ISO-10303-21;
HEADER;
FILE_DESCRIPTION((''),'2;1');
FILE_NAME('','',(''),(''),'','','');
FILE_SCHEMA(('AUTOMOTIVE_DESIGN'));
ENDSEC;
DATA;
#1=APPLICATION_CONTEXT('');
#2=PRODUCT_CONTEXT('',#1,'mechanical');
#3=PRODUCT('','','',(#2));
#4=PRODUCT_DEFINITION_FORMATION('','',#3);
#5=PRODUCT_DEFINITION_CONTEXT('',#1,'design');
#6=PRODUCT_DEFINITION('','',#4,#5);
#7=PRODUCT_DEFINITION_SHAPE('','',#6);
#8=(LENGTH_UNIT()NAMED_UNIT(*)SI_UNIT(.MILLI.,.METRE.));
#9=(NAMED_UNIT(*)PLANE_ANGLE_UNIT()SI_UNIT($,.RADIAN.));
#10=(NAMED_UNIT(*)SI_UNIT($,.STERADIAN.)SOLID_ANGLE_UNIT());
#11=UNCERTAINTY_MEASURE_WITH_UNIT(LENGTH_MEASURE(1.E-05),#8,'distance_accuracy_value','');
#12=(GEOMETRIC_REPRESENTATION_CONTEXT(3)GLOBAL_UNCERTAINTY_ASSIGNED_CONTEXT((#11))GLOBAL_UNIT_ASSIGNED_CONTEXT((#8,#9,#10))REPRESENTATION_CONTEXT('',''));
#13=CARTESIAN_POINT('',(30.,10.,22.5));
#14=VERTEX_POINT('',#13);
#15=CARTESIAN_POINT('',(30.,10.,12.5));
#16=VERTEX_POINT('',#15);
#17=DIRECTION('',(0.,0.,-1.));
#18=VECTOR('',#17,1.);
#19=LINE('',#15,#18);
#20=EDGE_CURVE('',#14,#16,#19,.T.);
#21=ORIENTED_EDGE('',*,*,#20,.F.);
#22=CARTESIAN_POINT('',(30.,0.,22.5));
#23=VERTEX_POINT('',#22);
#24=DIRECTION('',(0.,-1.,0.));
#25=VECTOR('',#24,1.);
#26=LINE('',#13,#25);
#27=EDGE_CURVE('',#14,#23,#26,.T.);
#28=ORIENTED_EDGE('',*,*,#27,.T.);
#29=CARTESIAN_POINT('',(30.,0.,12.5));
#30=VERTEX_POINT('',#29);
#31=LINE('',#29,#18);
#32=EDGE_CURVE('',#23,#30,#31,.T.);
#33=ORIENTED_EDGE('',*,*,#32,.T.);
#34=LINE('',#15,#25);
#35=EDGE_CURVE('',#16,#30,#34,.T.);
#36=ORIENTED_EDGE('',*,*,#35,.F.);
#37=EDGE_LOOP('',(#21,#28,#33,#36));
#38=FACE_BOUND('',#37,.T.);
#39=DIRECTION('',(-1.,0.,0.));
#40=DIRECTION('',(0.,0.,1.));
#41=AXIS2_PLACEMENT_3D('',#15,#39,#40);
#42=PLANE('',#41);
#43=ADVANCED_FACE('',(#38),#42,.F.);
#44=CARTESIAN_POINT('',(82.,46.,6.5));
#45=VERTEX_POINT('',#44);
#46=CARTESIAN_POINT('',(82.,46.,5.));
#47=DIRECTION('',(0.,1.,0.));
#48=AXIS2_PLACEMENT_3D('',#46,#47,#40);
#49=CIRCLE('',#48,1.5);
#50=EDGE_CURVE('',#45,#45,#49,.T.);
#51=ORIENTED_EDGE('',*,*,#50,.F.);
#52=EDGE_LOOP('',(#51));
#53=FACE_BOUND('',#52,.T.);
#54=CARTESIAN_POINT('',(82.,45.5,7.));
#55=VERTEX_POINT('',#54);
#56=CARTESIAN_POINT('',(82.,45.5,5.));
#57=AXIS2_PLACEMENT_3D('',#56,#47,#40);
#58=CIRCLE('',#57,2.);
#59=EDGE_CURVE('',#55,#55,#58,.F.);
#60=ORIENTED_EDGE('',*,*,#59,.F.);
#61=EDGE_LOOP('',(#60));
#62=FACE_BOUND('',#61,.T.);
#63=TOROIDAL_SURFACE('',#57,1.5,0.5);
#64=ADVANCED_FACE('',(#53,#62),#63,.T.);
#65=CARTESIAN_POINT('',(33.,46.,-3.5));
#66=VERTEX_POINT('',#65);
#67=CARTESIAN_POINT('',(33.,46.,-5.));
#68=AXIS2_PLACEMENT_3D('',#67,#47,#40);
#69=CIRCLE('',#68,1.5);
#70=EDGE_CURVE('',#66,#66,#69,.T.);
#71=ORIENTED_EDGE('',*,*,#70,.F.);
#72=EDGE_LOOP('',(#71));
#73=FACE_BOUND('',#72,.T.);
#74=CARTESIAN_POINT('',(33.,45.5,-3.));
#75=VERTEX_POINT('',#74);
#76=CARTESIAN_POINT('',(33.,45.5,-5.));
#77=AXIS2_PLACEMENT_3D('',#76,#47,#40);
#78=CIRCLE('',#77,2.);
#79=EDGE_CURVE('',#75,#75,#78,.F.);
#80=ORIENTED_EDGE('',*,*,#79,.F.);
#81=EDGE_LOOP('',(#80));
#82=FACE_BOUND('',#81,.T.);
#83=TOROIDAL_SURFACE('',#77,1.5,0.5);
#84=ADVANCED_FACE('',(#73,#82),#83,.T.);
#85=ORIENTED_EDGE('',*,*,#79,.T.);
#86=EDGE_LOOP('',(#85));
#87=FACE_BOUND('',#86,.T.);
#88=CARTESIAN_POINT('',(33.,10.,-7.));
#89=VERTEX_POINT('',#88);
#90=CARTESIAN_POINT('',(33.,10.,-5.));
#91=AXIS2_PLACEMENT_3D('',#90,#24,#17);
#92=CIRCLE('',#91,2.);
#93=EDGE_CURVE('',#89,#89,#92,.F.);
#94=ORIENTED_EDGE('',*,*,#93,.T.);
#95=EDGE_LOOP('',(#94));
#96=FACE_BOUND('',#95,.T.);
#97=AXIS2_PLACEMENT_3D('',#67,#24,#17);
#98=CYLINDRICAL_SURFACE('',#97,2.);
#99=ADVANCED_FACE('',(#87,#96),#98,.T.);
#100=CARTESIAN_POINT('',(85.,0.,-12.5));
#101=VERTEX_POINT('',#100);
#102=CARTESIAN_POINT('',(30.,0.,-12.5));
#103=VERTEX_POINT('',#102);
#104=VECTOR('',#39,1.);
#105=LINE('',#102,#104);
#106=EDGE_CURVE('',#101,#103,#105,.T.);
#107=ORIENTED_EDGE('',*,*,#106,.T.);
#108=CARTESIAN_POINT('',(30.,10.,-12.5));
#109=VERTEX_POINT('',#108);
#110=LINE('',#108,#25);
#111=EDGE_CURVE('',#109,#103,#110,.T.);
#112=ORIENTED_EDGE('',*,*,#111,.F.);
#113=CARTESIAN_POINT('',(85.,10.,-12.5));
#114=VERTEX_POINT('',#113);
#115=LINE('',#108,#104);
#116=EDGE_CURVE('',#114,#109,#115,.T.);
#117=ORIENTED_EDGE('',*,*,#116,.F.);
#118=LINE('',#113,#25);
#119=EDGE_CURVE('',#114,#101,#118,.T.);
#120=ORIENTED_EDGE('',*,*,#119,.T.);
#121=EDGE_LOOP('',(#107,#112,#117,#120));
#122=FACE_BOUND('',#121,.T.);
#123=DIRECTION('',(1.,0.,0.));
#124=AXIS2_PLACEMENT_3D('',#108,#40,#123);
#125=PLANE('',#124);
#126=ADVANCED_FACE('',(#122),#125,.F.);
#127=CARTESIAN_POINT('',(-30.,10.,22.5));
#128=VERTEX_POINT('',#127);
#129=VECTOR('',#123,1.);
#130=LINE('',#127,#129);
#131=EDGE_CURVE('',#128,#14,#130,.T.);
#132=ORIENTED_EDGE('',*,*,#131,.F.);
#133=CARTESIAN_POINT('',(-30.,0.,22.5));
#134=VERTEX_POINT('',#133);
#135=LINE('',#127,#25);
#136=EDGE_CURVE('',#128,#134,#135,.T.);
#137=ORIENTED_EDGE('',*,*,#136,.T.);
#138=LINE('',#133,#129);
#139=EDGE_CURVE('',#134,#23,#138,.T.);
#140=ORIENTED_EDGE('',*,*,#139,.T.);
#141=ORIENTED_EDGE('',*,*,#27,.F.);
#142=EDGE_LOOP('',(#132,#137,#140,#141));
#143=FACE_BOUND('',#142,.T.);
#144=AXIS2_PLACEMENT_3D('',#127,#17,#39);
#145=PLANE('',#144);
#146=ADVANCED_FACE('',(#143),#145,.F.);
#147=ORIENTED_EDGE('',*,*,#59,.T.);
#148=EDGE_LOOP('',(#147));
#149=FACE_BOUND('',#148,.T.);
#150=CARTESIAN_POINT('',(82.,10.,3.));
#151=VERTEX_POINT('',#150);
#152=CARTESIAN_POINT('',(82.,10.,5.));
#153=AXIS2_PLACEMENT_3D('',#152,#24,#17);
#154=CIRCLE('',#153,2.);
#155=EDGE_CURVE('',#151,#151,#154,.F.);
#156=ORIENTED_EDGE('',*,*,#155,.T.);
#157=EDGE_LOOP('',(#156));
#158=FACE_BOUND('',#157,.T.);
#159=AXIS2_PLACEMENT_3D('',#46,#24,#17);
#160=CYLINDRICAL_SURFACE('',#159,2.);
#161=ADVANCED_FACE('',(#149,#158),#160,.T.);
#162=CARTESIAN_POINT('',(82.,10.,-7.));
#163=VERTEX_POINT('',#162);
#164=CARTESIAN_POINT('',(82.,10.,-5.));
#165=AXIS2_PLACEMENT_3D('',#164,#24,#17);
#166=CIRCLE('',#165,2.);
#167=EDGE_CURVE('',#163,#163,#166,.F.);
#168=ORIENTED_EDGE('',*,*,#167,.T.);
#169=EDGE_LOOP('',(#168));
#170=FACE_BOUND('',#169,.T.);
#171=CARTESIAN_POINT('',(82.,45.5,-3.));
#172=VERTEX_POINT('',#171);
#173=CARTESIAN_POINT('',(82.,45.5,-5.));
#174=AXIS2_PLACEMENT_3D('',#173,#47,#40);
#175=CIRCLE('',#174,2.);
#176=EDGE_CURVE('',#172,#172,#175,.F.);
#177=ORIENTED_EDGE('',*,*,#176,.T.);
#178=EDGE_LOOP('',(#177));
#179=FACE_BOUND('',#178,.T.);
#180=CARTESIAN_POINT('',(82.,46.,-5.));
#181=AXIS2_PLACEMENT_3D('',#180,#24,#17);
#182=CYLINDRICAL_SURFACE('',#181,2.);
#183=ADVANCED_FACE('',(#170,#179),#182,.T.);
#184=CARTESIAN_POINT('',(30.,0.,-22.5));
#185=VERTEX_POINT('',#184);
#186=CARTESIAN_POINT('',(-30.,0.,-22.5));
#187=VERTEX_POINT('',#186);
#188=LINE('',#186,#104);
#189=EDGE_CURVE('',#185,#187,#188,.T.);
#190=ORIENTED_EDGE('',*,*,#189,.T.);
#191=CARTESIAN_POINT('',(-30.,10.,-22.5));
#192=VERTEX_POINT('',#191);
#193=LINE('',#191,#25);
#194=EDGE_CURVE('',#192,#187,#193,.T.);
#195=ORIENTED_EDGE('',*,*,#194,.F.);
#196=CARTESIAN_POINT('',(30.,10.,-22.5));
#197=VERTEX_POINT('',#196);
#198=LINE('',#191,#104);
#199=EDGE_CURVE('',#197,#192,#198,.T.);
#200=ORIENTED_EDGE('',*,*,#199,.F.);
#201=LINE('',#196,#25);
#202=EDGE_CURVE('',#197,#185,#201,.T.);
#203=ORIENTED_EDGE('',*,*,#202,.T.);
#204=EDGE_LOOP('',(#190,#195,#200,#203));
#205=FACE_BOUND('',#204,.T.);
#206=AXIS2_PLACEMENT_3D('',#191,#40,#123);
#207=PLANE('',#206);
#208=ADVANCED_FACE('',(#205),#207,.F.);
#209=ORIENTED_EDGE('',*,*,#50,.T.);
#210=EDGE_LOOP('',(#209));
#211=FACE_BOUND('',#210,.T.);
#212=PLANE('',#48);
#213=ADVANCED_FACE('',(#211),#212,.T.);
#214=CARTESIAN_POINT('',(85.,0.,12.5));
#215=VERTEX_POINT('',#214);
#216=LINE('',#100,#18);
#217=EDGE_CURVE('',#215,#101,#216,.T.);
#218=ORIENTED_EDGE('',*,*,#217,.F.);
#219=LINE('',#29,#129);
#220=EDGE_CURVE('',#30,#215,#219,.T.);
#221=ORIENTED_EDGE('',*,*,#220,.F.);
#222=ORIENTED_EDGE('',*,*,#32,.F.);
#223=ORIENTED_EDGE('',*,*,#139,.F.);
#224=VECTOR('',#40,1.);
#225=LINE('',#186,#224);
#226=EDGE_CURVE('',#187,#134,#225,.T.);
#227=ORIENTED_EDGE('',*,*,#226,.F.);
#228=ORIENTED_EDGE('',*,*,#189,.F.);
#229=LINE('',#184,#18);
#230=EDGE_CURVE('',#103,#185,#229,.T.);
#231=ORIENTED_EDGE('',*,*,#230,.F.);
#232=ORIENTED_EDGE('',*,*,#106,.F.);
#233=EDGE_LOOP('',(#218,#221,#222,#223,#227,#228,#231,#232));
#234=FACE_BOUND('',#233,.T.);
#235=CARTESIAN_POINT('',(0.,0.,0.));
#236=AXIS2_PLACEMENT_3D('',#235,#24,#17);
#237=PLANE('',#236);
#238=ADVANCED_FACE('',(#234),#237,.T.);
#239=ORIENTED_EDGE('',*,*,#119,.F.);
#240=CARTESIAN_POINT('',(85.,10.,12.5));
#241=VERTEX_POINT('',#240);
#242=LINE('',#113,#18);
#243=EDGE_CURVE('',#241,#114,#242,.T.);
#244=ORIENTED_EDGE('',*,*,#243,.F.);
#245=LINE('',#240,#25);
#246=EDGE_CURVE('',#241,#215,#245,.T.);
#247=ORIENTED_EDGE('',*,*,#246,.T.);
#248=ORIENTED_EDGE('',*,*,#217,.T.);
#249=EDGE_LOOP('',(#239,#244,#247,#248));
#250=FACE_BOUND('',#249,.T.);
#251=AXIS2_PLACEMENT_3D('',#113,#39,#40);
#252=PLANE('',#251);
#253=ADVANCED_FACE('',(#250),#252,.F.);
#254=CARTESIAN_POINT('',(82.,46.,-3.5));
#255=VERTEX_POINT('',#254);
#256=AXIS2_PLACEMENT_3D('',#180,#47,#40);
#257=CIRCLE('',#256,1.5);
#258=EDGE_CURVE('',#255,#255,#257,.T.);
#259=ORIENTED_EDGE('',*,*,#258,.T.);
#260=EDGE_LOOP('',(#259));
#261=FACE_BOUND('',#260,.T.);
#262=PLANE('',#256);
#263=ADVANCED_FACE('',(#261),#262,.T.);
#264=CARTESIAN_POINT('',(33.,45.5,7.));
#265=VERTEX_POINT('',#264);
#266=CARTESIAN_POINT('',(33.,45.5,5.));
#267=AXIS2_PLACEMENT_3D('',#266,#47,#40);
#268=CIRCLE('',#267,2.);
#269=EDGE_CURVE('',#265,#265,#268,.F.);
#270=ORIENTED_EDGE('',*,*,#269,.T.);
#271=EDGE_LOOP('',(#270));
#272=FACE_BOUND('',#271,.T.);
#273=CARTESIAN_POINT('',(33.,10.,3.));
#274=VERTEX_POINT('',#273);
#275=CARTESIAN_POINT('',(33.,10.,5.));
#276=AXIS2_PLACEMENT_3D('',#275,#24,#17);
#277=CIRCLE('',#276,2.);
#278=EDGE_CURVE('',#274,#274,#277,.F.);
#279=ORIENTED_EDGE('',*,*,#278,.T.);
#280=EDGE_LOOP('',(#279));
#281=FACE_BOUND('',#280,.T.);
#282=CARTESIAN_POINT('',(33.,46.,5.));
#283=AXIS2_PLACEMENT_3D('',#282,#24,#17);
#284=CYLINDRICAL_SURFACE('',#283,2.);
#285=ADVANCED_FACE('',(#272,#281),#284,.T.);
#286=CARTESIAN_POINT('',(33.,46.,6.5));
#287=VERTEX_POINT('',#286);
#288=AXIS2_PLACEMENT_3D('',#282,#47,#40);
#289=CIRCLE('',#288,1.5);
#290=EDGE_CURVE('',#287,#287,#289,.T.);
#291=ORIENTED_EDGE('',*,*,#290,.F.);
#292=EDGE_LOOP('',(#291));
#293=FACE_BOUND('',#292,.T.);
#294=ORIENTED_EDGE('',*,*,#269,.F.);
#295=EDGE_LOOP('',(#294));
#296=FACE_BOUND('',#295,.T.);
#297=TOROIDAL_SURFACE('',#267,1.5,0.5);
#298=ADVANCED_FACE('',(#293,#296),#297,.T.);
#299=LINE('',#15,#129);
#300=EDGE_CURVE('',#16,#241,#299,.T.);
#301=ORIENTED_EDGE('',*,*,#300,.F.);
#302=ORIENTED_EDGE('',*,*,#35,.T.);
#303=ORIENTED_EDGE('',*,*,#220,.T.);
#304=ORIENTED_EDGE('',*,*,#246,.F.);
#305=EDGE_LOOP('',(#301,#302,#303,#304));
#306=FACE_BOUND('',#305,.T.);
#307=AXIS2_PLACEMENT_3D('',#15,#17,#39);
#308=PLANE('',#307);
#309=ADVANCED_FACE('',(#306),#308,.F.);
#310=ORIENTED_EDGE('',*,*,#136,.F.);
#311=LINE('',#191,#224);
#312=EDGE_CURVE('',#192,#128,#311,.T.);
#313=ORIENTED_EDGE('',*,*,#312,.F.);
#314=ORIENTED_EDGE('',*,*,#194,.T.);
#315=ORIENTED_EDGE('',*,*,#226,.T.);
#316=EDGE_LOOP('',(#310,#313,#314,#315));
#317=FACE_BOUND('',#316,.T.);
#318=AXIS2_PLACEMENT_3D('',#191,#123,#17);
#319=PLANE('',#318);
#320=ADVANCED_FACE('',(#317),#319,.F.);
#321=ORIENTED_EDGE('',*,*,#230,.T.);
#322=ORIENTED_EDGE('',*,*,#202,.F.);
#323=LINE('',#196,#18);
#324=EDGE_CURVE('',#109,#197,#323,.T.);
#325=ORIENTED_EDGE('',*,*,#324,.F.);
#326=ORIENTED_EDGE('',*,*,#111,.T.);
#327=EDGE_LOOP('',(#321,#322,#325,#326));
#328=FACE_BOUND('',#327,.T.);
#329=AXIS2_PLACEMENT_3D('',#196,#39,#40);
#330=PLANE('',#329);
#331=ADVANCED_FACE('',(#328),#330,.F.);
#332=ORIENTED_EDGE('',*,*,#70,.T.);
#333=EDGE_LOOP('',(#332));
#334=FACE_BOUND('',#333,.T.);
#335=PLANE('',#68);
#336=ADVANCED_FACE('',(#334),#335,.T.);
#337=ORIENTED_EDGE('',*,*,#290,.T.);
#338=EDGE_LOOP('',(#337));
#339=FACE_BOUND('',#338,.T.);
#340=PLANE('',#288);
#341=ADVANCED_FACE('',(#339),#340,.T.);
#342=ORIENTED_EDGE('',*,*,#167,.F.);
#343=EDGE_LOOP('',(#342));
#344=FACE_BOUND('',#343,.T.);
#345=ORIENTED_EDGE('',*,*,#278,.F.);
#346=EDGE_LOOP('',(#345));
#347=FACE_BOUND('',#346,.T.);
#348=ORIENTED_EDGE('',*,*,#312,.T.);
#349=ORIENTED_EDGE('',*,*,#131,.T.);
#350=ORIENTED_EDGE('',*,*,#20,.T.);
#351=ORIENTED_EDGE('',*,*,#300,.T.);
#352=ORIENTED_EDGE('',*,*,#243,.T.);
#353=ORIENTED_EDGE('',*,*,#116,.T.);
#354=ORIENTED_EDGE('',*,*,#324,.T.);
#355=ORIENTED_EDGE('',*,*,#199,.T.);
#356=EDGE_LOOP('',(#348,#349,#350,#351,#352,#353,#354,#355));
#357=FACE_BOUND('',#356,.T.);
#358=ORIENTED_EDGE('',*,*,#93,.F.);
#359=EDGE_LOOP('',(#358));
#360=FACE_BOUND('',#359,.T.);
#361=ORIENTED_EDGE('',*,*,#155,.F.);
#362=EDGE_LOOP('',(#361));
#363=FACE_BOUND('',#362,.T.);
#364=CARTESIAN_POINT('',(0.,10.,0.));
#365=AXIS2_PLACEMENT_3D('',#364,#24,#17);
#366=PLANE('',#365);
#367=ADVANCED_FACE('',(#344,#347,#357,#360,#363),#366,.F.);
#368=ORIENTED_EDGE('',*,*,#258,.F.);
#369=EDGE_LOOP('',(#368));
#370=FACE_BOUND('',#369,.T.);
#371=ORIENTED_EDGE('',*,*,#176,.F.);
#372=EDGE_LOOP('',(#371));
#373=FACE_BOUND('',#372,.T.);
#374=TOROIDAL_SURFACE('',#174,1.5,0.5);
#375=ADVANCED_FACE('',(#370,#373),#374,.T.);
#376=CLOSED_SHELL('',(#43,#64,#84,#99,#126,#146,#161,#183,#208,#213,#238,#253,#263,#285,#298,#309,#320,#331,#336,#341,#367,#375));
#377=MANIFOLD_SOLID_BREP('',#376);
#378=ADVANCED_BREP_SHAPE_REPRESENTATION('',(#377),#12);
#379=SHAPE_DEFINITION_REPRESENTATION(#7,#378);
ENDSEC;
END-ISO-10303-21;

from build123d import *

# Parameters (mm, degrees)
BOSS_EXTRUDE2_DEPTH = 10
SKETCH6_R           = 2
BOSS_EXTRUDE3_DEPTH = 36
FILLET2_R           = 0.5


with BuildPart() as part:
    # Sketch1 → Boss-Extrude2 (new body)
    with BuildSketch(Plane(origin=(0, 0, 0), x_dir=(1, 0, 0), z_dir=(0, 1, 0))):
        Polygon((30, -12.5), (30, -22.5), (-30, -22.5), (-30, 22.5), (30, 22.5), (30, 12.5), (85, 12.5), (85, -12.5), align=None)
    extrude(amount=BOSS_EXTRUDE2_DEPTH)

    # Sketch6 → Boss-Extrude3 (add)
    with BuildSketch(Plane(origin=(0, 10, 0), x_dir=(1, 0, 0), z_dir=(0, 1, 0))):
        with Locations(Location((33, 5, 0), (0, 0, 90))):
            Circle(SKETCH6_R)
        with Locations(Location((33, -5, 0), (0, 0, 90))):
            Circle(SKETCH6_R)
        with Locations(Location((82, 5, 0), (0, 0, 90))):
            Circle(SKETCH6_R)
        with Locations(Location((82, -5, 0), (0, 0, 90))):
            Circle(SKETCH6_R)
    extrude(amount=BOSS_EXTRUDE3_DEPTH)

    # Fillet2
    fillet2_edges = [part.edges().sort_by_distance(p)[0] for p in [
        (82, 46, -3),
        (33, 46, 7),
        (33, 46, -3),
        (82, 46, 7),
    ]]
    fillet(fillet2_edges, radius=FILLET2_R)


solid = part.part
